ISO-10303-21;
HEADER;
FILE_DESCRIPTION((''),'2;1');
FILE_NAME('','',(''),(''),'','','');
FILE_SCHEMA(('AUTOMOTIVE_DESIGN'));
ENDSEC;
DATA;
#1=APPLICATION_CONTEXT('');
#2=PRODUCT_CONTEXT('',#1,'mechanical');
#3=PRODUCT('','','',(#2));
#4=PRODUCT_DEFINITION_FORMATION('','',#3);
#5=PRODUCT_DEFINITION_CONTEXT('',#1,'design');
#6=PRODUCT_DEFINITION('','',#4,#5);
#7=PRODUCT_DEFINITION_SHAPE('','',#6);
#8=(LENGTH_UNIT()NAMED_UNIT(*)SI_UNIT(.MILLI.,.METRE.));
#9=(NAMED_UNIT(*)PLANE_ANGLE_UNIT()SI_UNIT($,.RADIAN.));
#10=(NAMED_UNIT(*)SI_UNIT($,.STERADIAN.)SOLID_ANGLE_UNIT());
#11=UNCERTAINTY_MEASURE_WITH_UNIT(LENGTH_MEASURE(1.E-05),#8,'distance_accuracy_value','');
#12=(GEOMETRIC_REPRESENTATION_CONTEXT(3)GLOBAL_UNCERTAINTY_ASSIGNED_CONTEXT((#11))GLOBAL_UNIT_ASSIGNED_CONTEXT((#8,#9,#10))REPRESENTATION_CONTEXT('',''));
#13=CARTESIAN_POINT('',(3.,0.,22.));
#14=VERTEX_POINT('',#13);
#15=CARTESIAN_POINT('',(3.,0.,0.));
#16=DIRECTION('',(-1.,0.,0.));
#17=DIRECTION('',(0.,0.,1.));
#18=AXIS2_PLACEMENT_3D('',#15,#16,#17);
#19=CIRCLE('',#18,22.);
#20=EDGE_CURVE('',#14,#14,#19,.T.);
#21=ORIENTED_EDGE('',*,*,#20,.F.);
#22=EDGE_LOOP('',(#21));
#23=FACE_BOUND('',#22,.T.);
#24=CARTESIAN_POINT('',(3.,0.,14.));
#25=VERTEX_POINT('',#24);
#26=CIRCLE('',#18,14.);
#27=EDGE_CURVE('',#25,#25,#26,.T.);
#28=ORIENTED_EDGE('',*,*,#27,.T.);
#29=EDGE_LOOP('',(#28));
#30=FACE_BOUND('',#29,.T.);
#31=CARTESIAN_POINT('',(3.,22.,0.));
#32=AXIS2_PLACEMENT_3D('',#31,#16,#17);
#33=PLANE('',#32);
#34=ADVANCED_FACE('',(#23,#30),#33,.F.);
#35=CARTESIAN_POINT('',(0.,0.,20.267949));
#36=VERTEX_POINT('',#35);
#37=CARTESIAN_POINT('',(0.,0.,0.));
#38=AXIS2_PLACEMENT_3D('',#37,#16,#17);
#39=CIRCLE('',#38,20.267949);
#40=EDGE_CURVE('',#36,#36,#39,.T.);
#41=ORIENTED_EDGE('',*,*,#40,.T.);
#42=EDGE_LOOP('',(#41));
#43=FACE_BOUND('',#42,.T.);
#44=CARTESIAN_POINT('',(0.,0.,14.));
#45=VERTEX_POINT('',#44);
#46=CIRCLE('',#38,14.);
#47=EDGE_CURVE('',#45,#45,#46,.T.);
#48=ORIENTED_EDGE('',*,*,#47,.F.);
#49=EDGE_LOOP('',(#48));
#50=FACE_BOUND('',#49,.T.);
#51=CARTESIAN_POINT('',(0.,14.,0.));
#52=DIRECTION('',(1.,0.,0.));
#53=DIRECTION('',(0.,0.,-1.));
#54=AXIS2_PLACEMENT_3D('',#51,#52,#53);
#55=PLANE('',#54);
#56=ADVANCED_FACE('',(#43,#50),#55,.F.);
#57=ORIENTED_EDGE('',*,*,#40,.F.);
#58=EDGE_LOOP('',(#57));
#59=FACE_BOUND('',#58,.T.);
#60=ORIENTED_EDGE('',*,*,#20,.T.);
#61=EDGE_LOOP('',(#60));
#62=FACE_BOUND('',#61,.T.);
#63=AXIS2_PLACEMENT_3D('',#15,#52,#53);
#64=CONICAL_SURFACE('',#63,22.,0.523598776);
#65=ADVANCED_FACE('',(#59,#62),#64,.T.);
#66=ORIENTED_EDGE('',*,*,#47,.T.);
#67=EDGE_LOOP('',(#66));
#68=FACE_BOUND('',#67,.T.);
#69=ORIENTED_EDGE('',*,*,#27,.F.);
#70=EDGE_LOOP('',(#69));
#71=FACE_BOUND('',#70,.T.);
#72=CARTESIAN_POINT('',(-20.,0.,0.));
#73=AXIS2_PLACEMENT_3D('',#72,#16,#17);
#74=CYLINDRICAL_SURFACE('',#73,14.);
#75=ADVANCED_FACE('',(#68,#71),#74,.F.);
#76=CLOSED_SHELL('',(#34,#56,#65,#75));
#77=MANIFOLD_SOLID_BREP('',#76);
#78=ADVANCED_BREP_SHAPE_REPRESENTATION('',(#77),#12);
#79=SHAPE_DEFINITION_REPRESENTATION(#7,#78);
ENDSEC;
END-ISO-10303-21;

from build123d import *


with BuildPart() as part:
    # Esquisse1 → Base-Révolution (revolve)
    with BuildSketch(Plane.XY, mode=Mode.PRIVATE) as base_r_volution_sk:
        Polygon((0, 14), (0, 20.267949192), (3, 22), (3, 14), align=None)
    revolve(base_r_volution_sk.sketch.rotate(Axis((-20, 0, 0), (1, 0, 0)), 90), axis=Axis((-20, 0, 0), (1, 0, 0)))


solid = part.part
